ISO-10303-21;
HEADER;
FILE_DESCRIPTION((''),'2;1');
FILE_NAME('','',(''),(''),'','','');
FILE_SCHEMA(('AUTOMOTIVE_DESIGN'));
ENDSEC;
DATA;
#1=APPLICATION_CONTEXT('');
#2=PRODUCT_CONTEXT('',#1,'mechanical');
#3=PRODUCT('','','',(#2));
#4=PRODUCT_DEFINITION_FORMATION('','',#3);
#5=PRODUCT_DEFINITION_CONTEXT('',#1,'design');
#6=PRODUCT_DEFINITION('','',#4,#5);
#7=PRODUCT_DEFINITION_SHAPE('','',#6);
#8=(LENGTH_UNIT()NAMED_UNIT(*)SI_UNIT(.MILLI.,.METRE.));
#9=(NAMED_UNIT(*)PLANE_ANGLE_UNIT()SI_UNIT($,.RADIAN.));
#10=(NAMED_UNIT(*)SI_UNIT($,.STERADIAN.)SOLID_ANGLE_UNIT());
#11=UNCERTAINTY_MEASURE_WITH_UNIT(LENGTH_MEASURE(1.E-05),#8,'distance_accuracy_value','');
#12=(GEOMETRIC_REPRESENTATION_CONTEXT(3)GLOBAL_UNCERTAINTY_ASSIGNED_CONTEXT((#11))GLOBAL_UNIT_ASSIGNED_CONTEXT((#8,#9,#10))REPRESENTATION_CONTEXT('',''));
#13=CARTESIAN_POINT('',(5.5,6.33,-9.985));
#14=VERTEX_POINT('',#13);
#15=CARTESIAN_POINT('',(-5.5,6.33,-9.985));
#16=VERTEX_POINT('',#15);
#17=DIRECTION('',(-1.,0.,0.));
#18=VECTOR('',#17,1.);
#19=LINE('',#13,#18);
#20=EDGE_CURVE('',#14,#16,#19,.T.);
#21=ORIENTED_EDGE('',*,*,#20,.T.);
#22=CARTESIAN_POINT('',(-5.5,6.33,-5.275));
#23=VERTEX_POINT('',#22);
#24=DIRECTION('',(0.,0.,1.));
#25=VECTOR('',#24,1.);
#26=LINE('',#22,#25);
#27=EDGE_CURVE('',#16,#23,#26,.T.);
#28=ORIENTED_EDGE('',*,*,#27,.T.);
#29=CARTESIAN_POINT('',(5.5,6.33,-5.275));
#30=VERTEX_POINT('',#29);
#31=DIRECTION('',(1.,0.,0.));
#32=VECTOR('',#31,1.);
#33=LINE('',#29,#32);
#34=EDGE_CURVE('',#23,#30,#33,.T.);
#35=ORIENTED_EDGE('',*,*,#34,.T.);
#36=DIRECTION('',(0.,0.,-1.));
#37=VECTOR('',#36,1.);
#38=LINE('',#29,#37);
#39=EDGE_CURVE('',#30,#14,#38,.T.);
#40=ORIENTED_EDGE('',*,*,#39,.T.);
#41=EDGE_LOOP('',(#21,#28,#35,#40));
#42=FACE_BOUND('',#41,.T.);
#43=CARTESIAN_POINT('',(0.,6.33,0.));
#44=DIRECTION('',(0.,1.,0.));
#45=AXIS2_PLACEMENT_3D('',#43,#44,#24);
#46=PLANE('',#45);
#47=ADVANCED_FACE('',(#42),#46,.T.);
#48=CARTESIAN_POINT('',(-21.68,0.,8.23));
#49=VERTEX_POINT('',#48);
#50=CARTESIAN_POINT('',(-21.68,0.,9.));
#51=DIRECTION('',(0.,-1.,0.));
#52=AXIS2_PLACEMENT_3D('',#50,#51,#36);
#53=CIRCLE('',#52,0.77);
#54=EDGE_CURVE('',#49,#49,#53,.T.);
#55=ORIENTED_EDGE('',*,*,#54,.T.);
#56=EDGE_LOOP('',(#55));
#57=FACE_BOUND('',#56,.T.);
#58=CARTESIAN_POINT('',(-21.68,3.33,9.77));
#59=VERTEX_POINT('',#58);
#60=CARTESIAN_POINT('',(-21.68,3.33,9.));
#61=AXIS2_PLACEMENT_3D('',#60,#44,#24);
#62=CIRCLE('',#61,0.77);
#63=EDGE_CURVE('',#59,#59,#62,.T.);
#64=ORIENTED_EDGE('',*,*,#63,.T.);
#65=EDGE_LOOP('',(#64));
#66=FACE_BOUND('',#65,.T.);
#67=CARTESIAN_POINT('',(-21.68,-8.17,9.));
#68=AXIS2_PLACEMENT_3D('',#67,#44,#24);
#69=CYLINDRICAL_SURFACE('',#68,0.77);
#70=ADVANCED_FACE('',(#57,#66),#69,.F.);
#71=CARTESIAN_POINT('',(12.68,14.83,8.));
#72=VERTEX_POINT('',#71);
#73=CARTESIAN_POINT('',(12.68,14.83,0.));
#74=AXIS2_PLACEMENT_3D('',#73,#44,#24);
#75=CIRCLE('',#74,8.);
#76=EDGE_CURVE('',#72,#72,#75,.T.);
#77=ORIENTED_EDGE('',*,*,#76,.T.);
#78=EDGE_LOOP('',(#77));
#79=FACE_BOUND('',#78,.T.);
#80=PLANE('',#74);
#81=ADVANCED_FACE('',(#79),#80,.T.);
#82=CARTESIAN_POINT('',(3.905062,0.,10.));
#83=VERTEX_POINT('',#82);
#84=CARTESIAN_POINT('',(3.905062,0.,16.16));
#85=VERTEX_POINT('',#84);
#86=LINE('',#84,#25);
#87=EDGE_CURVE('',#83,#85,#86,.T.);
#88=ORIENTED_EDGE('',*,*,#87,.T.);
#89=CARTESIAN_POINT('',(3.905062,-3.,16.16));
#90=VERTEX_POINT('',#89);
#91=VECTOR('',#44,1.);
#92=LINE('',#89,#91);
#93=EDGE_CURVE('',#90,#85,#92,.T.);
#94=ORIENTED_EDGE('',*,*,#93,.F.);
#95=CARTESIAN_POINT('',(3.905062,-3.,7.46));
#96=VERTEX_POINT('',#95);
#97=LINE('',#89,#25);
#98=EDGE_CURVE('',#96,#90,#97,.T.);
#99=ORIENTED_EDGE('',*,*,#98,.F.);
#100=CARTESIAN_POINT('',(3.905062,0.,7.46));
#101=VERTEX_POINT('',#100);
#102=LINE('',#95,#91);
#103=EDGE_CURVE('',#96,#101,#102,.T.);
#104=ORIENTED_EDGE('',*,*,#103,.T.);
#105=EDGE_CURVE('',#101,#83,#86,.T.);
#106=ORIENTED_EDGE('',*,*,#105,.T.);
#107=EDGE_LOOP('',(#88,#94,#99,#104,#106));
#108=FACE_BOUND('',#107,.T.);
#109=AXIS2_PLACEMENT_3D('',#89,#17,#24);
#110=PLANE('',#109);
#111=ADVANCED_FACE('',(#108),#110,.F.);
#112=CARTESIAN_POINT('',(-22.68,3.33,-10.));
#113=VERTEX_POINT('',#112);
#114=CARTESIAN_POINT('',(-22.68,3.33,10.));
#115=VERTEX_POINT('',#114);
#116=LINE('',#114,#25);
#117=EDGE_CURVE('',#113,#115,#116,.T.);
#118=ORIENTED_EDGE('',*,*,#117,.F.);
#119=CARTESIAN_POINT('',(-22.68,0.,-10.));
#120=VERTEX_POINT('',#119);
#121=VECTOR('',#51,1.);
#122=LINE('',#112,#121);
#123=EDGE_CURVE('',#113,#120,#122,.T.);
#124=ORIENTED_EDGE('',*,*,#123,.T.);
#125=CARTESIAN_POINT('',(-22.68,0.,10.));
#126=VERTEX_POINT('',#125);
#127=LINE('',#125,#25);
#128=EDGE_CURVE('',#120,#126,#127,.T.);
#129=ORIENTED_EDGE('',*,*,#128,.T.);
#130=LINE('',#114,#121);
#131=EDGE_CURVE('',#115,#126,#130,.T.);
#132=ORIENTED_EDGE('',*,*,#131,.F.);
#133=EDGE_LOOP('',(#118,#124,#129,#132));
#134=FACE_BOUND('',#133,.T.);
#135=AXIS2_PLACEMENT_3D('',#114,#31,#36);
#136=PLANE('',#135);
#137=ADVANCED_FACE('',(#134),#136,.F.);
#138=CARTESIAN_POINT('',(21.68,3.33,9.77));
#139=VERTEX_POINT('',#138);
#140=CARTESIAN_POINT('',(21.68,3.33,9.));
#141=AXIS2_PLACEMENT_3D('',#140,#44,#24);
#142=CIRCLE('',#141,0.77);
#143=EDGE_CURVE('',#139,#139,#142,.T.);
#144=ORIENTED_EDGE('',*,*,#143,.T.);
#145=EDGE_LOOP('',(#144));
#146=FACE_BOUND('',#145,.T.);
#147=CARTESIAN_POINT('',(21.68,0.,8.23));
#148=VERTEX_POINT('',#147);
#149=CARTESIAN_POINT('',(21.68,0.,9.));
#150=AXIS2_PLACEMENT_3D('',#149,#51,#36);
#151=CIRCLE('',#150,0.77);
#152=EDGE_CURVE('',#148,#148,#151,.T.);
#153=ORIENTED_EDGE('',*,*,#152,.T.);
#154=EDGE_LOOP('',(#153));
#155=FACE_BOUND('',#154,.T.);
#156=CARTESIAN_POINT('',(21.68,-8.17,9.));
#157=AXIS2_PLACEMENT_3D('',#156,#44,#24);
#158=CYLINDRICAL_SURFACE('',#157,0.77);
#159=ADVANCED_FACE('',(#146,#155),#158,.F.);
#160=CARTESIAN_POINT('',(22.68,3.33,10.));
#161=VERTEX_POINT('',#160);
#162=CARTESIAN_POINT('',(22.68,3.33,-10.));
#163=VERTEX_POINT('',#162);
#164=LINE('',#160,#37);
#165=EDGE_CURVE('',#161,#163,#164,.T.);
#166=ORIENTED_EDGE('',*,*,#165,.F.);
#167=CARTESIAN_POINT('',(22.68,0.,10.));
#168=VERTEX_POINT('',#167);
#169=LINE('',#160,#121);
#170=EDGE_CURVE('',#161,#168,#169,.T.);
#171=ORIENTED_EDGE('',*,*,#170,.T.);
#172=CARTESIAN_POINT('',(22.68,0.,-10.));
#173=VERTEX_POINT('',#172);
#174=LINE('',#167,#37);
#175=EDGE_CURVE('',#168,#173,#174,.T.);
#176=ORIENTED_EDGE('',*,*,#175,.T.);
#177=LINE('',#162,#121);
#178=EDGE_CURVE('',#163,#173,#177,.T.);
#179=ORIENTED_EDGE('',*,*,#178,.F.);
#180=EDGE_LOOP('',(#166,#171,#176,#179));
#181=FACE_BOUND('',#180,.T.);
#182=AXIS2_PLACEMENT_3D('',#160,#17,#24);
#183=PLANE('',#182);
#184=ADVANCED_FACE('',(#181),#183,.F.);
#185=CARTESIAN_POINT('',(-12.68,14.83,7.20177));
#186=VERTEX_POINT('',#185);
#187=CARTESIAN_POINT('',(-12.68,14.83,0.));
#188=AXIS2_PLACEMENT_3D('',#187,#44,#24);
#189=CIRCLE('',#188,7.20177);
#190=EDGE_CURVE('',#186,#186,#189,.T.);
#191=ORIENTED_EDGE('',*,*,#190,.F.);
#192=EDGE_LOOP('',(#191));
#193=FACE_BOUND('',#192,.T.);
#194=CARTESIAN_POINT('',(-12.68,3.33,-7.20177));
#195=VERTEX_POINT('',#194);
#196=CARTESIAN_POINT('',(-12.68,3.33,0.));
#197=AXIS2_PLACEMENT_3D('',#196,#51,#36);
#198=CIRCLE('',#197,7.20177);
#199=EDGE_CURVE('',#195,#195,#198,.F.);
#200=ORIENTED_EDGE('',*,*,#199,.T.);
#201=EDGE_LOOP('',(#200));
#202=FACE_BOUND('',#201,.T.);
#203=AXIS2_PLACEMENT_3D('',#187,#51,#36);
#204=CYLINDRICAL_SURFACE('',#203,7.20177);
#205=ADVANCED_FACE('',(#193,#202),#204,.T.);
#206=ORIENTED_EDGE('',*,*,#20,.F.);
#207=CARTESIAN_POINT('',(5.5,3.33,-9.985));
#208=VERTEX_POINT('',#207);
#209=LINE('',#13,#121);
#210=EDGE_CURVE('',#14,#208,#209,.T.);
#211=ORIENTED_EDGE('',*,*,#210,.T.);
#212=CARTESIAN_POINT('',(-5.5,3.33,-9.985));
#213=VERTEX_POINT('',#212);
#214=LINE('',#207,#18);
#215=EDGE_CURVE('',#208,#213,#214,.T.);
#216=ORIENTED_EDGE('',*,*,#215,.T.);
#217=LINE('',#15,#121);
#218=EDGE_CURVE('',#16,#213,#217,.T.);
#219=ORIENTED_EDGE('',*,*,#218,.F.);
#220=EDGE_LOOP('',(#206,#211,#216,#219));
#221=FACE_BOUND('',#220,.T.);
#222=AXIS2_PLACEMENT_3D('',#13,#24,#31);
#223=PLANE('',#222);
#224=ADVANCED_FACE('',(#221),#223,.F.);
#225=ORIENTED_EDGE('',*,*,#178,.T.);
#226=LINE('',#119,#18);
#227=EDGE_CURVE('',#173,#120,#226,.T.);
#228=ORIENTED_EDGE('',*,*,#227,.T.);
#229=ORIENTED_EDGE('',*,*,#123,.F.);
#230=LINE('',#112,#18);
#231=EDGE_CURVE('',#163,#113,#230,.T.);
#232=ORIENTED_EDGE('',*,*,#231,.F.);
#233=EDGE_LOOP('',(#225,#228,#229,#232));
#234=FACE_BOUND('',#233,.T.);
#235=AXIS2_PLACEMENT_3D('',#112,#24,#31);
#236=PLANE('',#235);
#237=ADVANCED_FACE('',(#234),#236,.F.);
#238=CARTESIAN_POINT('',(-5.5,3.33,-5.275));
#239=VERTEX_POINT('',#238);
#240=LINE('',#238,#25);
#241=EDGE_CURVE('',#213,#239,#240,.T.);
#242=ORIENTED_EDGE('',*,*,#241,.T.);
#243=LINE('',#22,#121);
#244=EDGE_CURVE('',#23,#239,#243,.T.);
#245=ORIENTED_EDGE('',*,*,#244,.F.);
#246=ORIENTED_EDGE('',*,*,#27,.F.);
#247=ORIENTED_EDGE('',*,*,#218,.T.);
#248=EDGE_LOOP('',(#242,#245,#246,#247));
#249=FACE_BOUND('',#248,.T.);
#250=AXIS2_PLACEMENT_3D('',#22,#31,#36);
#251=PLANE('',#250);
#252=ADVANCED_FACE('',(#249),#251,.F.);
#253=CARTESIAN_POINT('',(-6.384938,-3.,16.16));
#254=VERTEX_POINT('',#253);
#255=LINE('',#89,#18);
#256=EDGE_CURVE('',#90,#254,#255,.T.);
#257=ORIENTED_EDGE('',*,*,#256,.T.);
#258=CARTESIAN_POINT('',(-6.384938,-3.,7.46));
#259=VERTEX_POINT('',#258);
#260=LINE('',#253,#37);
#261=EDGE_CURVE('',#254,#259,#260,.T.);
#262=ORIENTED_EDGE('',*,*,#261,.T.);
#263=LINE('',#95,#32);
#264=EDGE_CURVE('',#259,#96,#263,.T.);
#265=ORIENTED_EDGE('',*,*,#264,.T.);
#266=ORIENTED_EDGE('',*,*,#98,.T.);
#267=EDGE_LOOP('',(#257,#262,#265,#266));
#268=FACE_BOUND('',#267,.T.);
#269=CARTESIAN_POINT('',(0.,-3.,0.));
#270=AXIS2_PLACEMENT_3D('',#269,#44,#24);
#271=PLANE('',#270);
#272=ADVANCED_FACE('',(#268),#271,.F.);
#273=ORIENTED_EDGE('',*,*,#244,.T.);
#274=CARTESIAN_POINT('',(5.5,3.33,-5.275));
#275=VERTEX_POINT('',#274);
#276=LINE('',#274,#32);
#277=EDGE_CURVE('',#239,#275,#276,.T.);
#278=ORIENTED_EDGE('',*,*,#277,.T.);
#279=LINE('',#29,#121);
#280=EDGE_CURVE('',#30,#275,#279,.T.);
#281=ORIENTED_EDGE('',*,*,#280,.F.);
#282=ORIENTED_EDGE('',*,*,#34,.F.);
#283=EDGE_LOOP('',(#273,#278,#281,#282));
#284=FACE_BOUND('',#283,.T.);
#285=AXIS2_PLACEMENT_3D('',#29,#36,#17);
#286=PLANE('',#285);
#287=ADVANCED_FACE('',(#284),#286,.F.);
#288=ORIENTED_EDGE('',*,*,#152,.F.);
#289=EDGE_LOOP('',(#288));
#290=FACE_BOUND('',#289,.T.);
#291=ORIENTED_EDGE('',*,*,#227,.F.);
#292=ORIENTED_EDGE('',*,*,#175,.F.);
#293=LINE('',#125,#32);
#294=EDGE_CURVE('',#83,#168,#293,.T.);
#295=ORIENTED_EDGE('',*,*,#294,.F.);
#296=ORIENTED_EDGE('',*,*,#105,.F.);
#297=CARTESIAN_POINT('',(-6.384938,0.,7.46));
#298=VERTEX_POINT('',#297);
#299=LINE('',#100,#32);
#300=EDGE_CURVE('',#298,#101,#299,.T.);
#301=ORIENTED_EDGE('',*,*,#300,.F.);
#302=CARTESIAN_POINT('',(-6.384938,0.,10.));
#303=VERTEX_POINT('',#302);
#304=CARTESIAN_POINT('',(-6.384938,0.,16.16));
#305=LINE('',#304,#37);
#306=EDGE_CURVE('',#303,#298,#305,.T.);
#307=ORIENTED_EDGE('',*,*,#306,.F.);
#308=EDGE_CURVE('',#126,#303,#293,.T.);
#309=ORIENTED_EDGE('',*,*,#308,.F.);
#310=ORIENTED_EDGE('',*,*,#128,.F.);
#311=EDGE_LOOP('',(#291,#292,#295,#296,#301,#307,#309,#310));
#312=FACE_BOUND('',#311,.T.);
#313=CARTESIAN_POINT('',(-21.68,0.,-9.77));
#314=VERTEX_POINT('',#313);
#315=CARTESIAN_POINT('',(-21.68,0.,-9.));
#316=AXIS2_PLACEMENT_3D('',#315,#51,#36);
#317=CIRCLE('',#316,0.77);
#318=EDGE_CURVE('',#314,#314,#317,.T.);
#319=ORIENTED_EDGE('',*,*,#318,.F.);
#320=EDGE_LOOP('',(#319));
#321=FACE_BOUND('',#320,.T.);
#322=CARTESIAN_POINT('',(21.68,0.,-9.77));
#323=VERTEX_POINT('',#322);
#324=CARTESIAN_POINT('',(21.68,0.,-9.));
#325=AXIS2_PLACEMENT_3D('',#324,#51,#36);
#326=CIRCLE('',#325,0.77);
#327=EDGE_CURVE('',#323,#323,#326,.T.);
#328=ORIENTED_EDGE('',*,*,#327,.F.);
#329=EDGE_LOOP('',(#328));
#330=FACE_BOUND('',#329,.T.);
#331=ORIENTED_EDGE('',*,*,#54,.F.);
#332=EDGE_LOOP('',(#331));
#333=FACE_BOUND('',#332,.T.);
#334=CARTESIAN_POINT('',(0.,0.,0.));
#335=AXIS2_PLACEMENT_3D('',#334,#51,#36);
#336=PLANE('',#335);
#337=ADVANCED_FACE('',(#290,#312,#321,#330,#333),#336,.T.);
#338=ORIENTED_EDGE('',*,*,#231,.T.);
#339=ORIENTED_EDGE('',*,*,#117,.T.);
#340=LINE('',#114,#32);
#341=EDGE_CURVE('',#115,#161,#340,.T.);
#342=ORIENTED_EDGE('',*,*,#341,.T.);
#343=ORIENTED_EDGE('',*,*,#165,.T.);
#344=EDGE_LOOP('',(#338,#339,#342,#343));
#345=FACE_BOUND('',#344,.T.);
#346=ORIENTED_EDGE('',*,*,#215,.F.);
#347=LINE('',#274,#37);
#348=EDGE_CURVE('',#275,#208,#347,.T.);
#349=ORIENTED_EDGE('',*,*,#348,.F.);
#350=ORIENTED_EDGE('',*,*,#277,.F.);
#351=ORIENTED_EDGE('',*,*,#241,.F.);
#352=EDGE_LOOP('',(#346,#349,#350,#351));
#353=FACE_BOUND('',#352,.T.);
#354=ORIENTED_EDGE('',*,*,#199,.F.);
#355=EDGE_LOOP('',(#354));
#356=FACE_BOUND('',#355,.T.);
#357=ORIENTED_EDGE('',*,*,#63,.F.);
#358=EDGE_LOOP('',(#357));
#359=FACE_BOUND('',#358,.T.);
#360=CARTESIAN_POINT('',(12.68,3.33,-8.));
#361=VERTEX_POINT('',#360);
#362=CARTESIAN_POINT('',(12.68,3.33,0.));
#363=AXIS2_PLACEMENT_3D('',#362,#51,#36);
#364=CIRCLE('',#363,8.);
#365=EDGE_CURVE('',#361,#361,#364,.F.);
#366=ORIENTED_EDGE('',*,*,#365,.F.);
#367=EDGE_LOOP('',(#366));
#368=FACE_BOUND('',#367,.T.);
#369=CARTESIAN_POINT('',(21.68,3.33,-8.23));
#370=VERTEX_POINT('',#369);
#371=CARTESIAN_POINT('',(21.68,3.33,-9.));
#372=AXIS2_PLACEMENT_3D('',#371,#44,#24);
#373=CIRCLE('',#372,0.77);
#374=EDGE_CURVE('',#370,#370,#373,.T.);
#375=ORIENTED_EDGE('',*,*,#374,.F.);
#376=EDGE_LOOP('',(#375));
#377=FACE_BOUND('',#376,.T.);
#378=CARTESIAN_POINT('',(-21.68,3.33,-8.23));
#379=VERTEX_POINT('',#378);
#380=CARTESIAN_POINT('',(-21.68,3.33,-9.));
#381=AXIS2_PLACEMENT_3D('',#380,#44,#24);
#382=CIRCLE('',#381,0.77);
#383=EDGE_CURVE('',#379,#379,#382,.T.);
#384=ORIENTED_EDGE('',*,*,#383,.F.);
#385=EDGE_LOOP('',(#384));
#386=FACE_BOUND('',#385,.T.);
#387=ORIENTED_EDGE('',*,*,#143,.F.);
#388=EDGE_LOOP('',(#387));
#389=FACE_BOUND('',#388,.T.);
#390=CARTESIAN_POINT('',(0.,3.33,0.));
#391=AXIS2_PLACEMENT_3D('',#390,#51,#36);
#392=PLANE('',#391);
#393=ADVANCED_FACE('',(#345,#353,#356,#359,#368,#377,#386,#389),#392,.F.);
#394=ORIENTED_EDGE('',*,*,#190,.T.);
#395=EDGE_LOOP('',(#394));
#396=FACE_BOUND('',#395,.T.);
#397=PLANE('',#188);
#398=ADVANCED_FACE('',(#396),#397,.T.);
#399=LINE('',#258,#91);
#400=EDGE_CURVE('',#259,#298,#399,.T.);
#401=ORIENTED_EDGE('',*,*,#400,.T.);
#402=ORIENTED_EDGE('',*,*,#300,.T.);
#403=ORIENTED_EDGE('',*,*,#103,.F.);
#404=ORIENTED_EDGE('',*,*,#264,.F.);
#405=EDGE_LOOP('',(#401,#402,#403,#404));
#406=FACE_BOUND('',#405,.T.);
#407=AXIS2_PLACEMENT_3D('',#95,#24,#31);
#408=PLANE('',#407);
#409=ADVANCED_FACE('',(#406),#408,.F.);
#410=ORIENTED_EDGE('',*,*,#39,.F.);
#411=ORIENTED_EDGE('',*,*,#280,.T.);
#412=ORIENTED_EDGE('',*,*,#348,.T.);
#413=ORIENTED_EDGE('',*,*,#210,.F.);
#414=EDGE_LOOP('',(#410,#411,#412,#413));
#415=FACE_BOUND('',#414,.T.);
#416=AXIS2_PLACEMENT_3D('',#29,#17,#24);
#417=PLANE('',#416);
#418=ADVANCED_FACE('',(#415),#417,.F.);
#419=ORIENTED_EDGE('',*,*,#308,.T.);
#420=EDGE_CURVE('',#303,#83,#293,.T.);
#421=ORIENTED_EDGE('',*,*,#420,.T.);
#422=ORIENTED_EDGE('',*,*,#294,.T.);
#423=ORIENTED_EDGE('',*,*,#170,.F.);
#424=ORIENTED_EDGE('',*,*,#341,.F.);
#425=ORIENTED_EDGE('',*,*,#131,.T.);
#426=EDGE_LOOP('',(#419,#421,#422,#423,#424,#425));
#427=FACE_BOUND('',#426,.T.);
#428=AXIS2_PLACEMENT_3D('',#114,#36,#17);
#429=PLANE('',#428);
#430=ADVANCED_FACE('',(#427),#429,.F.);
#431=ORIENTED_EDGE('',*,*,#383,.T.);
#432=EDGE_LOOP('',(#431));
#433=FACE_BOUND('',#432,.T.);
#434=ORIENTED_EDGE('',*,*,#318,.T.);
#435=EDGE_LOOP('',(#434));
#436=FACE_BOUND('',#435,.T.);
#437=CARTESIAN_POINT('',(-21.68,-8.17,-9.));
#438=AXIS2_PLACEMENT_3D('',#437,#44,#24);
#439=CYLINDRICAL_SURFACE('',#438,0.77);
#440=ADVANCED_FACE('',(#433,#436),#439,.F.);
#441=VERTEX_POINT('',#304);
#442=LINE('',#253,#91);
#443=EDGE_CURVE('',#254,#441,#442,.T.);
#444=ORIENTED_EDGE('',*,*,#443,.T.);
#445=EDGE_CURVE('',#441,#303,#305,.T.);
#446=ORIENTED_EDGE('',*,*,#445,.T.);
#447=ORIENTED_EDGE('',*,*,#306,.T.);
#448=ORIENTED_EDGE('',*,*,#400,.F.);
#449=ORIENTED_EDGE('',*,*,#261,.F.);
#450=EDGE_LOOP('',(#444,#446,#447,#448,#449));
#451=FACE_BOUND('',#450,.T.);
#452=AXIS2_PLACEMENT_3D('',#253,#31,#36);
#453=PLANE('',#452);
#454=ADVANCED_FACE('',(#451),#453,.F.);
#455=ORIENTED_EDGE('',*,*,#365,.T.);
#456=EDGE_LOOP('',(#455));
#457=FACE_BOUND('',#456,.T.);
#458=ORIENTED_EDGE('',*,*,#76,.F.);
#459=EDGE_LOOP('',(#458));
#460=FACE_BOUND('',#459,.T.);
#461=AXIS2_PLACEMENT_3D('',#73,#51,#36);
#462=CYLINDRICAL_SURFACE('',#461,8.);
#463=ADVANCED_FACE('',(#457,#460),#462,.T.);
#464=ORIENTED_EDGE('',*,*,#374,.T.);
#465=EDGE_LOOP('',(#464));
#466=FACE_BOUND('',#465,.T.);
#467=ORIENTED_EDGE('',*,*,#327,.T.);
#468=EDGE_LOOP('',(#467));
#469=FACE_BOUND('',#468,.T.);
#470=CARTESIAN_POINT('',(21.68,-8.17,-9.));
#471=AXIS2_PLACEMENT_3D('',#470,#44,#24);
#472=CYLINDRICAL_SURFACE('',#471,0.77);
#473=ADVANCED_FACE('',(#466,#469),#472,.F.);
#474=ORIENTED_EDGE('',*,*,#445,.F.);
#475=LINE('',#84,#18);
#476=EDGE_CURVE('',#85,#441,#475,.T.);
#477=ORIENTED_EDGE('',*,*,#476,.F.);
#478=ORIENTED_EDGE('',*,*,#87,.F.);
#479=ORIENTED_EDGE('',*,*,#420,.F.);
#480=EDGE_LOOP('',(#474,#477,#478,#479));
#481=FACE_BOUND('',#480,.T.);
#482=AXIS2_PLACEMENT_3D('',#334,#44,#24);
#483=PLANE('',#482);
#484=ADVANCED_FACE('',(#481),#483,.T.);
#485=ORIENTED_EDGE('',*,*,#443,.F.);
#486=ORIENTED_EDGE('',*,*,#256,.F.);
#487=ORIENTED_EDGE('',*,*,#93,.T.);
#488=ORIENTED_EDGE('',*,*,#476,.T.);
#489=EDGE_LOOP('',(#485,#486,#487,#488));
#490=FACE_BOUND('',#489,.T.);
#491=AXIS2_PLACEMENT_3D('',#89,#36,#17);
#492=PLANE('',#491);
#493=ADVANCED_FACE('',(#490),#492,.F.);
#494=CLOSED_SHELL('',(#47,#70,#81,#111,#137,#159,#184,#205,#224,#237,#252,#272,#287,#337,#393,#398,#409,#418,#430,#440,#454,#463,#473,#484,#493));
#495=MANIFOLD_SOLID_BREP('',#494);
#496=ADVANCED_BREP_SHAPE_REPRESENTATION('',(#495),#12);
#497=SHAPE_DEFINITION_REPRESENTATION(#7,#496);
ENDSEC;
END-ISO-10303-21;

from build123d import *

# Parameters (mm, degrees)
SKETCH1_W           = 45.36
SKETCH1_H           = 20
BOSS_EXTRUDE1_DEPTH = 3.33
SKETCH2_R           = 8
SKETCH2_R_2         = 7.201770051
BOSS_EXTRUDE2_DEPTH = 11.5
SKETCH3_R           = 0.77
CUT_EXTRUDE1_DEPTH  = 11.5
SKETCH4_W           = 11
SKETCH4_H           = 4.71
BOSS_EXTRUDE3_DEPTH = 3
SKETCH5_W           = 10.29
SKETCH5_H           = 8.7
BOSS_EXTRUDE4_DEPTH = 3


with BuildPart() as part:
    # Sketch1 → Boss-Extrude1 (new body)
    with BuildSketch(Plane(origin=(0, 0, 0), x_dir=(1, 0, 0), z_dir=(0, 1, 0))):
        Rectangle(SKETCH1_W, SKETCH1_H)
    extrude(amount=BOSS_EXTRUDE1_DEPTH)

    # Sketch2 → Boss-Extrude2 (add)
    with BuildSketch(Plane(origin=(0, 3.33, 0), x_dir=(1, 0, 0), z_dir=(0, 1, 0))):
        with Locations(Location((12.68, 0, 0), (0, 0, 90))):
            Circle(SKETCH2_R)
        with Locations(Location((-12.68, 0, 0), (0, 0, 90))):
            Circle(SKETCH2_R_2)
    extrude(amount=BOSS_EXTRUDE2_DEPTH)

    # Sketch3 → Cut-Extrude1 (cut)
    with BuildSketch(Plane(origin=(0, 3.33, 0), x_dir=(1, 0, 0), z_dir=(0, 1, 0))):
        with Locations(Location((21.68, 9, 0), (0, 0, 270))):
            Circle(SKETCH3_R)
        with Locations(Location((21.68, -9, 0), (0, 0, 270))):
            Circle(SKETCH3_R)
        with Locations(Location((-21.68, -9, 0), (0, 0, 270))):
            Circle(SKETCH3_R)
        with Locations(Location((-21.68, 9, 0), (0, 0, 270))):
            Circle(SKETCH3_R)
    extrude(amount=-CUT_EXTRUDE1_DEPTH, mode=Mode.SUBTRACT)

    # Sketch4 → Boss-Extrude3 (add)
    with BuildSketch(Plane(origin=(0, 3.33, 0), x_dir=(1, 0, 0), z_dir=(0, 1, 0))):
        with Locations((0, 7.63)):
            Rectangle(SKETCH4_W, SKETCH4_H)
    extrude(amount=BOSS_EXTRUDE3_DEPTH)

    # Sketch5 → Boss-Extrude4 (add)
    with BuildSketch(Plane.XZ):
        with Locations((-1.239937646, 11.81)):
            Rectangle(SKETCH5_W, SKETCH5_H)
    extrude(amount=BOSS_EXTRUDE4_DEPTH)


solid = part.part
